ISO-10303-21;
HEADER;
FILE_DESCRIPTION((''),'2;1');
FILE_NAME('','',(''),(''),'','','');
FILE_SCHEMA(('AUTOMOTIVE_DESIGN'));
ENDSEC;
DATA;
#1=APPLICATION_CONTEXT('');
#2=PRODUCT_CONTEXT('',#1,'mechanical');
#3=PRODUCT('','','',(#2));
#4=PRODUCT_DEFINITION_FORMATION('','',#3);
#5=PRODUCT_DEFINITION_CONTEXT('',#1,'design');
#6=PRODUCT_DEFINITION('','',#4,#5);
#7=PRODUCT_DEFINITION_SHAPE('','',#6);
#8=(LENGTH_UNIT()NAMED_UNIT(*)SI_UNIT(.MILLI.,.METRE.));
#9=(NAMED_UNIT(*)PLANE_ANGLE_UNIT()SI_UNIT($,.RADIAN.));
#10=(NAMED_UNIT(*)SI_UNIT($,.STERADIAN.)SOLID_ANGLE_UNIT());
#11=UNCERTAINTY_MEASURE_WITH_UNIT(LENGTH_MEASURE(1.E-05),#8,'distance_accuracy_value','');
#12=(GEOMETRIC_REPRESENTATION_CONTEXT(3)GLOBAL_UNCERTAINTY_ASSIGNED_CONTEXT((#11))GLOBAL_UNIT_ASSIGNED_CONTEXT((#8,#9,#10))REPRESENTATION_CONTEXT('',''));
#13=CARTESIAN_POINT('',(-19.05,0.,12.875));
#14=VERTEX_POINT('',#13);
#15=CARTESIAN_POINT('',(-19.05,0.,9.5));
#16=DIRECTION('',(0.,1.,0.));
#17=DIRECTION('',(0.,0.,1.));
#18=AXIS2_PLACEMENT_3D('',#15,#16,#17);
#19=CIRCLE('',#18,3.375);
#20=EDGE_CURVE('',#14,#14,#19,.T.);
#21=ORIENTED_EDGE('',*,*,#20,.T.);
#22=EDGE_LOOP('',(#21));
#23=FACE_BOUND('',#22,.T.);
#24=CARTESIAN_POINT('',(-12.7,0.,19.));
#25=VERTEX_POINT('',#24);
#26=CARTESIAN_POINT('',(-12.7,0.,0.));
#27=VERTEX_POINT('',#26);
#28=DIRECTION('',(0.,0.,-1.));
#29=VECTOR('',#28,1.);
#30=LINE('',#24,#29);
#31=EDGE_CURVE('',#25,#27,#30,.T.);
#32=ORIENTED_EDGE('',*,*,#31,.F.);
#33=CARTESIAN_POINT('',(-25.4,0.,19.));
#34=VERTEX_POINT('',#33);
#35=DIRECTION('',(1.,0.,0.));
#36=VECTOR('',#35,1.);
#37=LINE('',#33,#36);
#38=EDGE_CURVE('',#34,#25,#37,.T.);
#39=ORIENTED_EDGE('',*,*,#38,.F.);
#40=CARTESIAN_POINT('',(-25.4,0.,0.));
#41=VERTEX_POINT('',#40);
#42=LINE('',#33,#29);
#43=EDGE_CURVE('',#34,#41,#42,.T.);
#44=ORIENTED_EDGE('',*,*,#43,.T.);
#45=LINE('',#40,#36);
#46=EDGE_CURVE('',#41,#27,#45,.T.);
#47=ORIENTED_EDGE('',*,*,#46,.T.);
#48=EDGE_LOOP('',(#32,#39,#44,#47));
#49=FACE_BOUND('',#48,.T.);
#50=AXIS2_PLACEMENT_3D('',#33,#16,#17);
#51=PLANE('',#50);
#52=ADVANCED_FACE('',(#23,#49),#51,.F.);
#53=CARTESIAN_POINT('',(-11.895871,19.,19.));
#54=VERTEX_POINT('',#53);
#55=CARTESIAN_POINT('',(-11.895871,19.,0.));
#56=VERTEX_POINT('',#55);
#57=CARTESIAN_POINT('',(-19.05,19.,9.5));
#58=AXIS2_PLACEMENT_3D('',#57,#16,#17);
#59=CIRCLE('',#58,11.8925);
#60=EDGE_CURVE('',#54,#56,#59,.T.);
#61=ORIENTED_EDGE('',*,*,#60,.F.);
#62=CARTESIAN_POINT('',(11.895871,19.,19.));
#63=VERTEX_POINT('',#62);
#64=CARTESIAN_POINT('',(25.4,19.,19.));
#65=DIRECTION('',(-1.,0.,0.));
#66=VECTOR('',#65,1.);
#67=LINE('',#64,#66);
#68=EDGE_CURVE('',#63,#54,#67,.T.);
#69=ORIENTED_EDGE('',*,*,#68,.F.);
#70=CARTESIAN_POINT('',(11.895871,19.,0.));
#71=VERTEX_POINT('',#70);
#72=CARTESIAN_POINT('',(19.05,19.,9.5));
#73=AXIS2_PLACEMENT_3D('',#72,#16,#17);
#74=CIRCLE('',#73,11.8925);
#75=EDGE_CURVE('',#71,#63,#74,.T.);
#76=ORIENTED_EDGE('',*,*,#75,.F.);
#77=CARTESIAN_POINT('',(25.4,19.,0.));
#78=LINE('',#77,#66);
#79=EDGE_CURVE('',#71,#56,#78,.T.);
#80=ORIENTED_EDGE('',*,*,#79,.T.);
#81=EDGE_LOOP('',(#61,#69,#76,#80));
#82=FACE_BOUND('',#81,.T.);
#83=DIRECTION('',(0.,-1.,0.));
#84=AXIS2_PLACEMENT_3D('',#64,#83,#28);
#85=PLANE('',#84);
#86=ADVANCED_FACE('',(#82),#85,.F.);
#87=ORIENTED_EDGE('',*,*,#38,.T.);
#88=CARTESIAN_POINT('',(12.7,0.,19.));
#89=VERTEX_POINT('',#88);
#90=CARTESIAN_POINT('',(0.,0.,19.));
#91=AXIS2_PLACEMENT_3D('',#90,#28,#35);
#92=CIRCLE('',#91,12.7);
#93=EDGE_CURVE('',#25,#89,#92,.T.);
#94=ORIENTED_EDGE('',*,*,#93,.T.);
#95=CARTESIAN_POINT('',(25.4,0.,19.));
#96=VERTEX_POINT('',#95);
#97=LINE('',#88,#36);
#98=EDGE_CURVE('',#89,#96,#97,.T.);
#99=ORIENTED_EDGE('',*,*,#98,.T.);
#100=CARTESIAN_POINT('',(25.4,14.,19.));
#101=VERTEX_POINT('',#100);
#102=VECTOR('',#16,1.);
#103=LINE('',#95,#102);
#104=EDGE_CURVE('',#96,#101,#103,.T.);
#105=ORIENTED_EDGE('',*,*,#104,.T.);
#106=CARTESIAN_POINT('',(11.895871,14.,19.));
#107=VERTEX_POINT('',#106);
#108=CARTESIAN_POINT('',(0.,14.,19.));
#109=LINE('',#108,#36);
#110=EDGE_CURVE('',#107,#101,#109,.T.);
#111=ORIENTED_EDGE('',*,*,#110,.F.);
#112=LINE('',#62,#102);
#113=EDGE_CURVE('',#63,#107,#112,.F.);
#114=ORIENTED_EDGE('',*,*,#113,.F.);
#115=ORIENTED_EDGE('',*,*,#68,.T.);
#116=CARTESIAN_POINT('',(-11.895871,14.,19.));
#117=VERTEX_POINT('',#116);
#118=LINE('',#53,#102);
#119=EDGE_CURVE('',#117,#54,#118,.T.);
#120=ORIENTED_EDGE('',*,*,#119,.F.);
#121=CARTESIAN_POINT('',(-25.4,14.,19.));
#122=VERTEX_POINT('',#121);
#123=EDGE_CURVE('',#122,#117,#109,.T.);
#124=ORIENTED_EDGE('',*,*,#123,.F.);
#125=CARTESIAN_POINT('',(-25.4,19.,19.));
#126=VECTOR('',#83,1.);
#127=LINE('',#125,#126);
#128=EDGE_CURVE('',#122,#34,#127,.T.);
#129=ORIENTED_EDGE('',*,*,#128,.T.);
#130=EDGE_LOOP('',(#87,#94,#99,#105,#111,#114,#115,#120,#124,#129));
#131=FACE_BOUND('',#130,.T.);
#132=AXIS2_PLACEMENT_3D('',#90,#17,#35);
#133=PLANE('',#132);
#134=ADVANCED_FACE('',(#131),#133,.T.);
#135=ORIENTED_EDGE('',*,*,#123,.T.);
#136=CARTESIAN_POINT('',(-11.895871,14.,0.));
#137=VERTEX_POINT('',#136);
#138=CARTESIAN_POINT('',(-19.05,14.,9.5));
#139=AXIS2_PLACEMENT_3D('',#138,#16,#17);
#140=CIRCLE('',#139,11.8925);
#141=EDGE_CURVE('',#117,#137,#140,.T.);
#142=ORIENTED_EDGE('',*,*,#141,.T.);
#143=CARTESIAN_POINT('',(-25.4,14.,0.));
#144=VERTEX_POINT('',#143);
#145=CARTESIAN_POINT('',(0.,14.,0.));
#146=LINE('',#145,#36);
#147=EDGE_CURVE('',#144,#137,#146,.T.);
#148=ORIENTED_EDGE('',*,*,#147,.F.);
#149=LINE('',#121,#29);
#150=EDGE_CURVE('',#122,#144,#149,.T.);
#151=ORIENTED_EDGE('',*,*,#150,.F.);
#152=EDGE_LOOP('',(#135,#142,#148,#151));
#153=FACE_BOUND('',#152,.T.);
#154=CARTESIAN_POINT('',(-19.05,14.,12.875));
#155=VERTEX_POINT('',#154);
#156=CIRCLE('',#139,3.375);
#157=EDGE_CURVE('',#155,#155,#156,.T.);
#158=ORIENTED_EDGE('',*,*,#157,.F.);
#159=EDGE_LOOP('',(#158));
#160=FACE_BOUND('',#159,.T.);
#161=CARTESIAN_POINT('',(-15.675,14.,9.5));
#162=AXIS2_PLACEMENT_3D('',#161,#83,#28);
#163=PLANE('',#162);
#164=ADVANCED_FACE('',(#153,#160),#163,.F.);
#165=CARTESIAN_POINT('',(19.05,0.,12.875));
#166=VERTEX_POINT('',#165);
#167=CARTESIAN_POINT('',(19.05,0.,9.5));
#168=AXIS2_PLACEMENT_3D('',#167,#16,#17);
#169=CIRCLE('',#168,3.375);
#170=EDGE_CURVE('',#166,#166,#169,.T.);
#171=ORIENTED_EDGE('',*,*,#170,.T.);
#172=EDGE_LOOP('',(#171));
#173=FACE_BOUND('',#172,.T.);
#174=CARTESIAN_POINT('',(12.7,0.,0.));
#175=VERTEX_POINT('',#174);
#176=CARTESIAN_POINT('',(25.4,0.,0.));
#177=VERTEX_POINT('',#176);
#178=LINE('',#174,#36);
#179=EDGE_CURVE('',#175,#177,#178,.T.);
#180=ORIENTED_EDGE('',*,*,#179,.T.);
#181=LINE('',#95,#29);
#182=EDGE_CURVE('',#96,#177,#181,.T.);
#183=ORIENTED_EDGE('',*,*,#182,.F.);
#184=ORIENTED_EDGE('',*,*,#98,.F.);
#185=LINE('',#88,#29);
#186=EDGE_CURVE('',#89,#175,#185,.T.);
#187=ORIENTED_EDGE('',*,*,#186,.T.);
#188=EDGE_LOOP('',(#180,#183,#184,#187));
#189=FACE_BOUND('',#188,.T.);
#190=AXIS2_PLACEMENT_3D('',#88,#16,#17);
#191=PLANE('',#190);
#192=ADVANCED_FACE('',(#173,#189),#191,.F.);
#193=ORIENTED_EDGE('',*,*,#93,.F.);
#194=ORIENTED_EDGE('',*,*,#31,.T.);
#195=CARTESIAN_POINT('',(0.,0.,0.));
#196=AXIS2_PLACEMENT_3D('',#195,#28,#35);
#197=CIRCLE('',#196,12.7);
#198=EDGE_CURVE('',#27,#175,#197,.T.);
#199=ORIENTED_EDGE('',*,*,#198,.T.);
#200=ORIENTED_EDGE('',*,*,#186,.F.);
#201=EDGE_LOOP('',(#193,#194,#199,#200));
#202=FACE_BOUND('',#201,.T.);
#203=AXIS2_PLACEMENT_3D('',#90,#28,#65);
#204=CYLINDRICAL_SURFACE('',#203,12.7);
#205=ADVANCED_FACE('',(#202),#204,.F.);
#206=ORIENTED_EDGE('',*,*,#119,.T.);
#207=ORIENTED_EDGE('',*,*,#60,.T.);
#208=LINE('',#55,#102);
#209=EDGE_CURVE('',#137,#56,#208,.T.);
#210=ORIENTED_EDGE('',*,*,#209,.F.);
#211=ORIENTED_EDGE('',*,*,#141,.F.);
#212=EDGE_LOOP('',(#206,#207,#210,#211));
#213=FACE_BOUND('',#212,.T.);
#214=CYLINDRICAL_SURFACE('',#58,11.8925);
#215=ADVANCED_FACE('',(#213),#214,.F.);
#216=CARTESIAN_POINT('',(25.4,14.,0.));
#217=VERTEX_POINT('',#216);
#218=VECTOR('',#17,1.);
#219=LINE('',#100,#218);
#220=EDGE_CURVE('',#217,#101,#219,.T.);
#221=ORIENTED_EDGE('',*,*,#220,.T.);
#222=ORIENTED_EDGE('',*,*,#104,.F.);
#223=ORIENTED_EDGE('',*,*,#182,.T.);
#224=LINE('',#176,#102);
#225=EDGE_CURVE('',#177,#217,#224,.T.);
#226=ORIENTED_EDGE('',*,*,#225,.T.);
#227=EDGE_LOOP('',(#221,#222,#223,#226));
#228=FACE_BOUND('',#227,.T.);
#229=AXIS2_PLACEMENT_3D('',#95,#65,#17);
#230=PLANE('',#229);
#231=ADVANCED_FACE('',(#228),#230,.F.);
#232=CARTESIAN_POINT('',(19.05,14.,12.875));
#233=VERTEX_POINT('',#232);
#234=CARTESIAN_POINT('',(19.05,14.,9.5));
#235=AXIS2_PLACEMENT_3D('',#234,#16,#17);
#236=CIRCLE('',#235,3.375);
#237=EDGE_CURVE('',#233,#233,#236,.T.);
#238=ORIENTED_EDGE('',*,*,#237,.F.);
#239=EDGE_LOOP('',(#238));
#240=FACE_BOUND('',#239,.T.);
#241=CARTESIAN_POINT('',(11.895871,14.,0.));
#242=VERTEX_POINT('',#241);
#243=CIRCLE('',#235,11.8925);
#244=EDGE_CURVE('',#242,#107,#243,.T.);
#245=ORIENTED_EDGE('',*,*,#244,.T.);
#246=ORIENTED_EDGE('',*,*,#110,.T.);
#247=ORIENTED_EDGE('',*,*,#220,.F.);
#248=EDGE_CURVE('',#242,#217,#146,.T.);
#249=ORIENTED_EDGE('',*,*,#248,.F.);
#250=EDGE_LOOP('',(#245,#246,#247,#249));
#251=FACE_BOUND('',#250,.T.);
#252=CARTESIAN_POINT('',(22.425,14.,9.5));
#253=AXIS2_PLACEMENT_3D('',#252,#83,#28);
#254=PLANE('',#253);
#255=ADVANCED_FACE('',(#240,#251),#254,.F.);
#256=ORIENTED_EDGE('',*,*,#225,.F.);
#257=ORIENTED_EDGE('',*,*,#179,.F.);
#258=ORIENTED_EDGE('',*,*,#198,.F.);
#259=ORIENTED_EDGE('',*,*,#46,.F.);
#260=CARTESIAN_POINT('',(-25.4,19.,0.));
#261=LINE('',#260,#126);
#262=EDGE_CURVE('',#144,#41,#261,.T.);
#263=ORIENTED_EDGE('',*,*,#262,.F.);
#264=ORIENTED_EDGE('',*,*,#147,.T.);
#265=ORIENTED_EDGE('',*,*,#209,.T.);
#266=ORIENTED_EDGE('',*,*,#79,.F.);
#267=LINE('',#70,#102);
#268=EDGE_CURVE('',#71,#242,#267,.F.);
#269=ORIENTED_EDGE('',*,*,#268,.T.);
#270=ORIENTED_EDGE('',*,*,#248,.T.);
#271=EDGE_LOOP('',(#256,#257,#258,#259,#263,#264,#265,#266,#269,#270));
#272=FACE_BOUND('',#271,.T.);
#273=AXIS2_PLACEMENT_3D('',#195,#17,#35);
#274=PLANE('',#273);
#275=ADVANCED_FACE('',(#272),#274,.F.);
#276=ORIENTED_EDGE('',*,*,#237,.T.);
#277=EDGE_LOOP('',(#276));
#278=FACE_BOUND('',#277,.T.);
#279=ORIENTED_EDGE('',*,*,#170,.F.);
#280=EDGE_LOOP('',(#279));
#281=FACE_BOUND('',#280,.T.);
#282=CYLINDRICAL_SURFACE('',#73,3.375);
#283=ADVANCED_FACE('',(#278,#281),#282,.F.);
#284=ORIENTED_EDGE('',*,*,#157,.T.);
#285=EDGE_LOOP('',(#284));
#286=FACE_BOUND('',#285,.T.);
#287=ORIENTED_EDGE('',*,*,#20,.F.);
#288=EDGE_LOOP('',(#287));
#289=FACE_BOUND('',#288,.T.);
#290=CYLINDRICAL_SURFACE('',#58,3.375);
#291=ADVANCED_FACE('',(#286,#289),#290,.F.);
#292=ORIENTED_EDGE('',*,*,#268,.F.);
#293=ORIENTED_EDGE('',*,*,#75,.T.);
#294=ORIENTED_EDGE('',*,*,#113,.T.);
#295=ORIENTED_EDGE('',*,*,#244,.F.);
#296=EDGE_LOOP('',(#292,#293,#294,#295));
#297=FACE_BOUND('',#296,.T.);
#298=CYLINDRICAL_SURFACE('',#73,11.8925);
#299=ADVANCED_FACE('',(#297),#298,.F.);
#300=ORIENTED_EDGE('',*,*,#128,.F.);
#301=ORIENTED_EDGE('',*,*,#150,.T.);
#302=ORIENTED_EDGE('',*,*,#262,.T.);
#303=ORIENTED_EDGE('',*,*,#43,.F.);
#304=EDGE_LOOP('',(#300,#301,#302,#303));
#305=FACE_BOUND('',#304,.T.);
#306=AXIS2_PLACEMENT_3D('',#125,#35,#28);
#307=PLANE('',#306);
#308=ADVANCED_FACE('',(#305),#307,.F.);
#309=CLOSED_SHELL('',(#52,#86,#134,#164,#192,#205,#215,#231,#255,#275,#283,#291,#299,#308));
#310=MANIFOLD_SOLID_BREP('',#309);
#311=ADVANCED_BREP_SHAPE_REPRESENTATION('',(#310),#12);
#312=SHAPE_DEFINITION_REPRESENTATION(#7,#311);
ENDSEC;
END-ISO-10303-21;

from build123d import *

# Parameters (mm, degrees)
BOSS_EXTRUDE1_DEPTH = 19
HOLE1_D             = 6.75
HOLE1_DEPTH         = 100
HOLE1_CBORE_D       = 23.785
HOLE1_CBORE_DEPTH   = 5


with BuildPart() as part:
    # Sketch1 → Boss-Extrude1 (new body)
    with BuildSketch(Plane.XY):
        with BuildLine():
            Line((12.7, 0), (25.4, 0))
            Line((25.4, 0), (25.4, 19))
            Line((25.4, 19), (-25.4, 19))
            Line((-25.4, 19), (-25.4, 0))
            Line((-25.4, 0), (-12.7, 0))
            ThreePointArc((-12.7, 0), (0, 12.7), (12.7, 0))
        make_face()
    extrude(amount=BOSS_EXTRUDE1_DEPTH)

    # Hole1
    with Locations(Plane(origin=(0, 19, 0), x_dir=(1, 0, 0), z_dir=(0, 1, 0))):
        with Locations((19.05, -9.5), (-19.05, -9.5)):
            CounterBoreHole(HOLE1_D / 2, HOLE1_CBORE_D / 2, HOLE1_CBORE_DEPTH, depth=HOLE1_DEPTH)


solid = part.part
